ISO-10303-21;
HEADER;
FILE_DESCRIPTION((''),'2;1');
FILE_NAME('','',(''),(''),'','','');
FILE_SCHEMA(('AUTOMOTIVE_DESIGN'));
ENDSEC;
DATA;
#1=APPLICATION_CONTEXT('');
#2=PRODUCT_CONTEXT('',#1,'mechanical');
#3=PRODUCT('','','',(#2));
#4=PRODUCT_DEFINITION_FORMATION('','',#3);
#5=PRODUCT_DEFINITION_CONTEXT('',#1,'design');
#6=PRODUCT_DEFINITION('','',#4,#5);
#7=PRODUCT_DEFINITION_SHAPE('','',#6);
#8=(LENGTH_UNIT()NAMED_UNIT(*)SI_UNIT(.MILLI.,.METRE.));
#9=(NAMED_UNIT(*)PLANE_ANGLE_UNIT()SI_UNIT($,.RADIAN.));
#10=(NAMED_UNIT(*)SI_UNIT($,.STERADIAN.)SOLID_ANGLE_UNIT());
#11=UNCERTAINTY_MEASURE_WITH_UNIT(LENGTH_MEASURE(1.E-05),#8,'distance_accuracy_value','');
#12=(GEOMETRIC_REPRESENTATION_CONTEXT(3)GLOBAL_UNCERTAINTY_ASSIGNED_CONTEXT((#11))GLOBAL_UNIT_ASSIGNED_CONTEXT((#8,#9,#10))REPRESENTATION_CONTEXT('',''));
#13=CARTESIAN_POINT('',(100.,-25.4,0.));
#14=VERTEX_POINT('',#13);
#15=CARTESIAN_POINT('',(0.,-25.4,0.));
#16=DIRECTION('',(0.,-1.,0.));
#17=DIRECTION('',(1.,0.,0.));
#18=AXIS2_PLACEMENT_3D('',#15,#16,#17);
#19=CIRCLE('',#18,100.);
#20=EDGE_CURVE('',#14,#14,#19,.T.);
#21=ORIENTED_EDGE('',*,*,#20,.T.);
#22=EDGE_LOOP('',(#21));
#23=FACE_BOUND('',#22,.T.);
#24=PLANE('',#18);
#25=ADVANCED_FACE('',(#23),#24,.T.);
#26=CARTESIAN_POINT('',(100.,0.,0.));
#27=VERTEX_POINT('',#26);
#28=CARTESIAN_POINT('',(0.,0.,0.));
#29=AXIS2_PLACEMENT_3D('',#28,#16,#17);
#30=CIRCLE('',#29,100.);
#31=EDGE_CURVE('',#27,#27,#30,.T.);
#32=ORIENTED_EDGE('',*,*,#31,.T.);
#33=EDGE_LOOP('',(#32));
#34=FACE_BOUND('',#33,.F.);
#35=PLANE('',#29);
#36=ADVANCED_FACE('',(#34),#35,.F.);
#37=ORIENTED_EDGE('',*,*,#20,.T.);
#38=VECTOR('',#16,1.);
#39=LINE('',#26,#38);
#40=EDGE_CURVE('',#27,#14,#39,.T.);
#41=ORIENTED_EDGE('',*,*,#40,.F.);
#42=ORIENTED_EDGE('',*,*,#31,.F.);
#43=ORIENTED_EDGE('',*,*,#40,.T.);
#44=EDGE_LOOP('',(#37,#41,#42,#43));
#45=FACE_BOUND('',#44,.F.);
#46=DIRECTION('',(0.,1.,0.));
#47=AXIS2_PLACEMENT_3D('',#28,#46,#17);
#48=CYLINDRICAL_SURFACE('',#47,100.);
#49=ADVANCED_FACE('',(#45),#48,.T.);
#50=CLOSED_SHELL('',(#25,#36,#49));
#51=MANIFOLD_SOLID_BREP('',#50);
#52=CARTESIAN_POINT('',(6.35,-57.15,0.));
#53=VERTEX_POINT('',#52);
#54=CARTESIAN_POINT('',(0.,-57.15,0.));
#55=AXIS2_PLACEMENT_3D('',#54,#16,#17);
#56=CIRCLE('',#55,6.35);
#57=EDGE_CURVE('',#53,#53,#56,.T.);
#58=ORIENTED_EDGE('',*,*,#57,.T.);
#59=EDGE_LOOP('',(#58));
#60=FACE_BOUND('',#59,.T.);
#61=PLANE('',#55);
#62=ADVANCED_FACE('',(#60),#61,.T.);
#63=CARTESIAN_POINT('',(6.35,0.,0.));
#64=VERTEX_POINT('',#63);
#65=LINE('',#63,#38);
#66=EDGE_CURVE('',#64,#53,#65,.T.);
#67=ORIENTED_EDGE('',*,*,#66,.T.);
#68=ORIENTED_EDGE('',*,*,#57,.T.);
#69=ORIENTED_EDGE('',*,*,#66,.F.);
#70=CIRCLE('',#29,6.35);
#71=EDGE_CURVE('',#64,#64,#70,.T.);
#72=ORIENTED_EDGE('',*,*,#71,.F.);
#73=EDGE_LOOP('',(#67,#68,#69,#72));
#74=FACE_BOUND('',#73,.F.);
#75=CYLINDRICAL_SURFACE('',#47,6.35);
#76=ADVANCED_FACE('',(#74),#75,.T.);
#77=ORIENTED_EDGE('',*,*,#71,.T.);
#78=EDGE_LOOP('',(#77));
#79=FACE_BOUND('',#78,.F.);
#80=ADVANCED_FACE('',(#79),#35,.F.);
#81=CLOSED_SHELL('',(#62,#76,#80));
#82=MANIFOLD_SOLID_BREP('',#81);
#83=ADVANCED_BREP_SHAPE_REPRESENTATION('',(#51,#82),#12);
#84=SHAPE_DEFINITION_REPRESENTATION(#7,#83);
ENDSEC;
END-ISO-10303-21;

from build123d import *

# Parameters (mm, degrees)
F0_R     = 100
F0_R_2   = 6.35
F1_DEPTH = 25.4
F2_DEPTH = 57.15


with BuildPart() as f1:
    # F0 (on Front) → F1 (new body)
    with BuildSketch(Plane.XZ):
        Circle(F0_R)
        Circle(F0_R_2, mode=Mode.SUBTRACT)
        Circle(F0_R_2)
    extrude(amount=F1_DEPTH)


with BuildPart() as f2:
    # F0 (on Front) → F2 (new body)
    with BuildSketch(Plane.XZ):
        Circle(F0_R_2)
    extrude(amount=F2_DEPTH)


solid = Compound([f1.part, f2.part])
